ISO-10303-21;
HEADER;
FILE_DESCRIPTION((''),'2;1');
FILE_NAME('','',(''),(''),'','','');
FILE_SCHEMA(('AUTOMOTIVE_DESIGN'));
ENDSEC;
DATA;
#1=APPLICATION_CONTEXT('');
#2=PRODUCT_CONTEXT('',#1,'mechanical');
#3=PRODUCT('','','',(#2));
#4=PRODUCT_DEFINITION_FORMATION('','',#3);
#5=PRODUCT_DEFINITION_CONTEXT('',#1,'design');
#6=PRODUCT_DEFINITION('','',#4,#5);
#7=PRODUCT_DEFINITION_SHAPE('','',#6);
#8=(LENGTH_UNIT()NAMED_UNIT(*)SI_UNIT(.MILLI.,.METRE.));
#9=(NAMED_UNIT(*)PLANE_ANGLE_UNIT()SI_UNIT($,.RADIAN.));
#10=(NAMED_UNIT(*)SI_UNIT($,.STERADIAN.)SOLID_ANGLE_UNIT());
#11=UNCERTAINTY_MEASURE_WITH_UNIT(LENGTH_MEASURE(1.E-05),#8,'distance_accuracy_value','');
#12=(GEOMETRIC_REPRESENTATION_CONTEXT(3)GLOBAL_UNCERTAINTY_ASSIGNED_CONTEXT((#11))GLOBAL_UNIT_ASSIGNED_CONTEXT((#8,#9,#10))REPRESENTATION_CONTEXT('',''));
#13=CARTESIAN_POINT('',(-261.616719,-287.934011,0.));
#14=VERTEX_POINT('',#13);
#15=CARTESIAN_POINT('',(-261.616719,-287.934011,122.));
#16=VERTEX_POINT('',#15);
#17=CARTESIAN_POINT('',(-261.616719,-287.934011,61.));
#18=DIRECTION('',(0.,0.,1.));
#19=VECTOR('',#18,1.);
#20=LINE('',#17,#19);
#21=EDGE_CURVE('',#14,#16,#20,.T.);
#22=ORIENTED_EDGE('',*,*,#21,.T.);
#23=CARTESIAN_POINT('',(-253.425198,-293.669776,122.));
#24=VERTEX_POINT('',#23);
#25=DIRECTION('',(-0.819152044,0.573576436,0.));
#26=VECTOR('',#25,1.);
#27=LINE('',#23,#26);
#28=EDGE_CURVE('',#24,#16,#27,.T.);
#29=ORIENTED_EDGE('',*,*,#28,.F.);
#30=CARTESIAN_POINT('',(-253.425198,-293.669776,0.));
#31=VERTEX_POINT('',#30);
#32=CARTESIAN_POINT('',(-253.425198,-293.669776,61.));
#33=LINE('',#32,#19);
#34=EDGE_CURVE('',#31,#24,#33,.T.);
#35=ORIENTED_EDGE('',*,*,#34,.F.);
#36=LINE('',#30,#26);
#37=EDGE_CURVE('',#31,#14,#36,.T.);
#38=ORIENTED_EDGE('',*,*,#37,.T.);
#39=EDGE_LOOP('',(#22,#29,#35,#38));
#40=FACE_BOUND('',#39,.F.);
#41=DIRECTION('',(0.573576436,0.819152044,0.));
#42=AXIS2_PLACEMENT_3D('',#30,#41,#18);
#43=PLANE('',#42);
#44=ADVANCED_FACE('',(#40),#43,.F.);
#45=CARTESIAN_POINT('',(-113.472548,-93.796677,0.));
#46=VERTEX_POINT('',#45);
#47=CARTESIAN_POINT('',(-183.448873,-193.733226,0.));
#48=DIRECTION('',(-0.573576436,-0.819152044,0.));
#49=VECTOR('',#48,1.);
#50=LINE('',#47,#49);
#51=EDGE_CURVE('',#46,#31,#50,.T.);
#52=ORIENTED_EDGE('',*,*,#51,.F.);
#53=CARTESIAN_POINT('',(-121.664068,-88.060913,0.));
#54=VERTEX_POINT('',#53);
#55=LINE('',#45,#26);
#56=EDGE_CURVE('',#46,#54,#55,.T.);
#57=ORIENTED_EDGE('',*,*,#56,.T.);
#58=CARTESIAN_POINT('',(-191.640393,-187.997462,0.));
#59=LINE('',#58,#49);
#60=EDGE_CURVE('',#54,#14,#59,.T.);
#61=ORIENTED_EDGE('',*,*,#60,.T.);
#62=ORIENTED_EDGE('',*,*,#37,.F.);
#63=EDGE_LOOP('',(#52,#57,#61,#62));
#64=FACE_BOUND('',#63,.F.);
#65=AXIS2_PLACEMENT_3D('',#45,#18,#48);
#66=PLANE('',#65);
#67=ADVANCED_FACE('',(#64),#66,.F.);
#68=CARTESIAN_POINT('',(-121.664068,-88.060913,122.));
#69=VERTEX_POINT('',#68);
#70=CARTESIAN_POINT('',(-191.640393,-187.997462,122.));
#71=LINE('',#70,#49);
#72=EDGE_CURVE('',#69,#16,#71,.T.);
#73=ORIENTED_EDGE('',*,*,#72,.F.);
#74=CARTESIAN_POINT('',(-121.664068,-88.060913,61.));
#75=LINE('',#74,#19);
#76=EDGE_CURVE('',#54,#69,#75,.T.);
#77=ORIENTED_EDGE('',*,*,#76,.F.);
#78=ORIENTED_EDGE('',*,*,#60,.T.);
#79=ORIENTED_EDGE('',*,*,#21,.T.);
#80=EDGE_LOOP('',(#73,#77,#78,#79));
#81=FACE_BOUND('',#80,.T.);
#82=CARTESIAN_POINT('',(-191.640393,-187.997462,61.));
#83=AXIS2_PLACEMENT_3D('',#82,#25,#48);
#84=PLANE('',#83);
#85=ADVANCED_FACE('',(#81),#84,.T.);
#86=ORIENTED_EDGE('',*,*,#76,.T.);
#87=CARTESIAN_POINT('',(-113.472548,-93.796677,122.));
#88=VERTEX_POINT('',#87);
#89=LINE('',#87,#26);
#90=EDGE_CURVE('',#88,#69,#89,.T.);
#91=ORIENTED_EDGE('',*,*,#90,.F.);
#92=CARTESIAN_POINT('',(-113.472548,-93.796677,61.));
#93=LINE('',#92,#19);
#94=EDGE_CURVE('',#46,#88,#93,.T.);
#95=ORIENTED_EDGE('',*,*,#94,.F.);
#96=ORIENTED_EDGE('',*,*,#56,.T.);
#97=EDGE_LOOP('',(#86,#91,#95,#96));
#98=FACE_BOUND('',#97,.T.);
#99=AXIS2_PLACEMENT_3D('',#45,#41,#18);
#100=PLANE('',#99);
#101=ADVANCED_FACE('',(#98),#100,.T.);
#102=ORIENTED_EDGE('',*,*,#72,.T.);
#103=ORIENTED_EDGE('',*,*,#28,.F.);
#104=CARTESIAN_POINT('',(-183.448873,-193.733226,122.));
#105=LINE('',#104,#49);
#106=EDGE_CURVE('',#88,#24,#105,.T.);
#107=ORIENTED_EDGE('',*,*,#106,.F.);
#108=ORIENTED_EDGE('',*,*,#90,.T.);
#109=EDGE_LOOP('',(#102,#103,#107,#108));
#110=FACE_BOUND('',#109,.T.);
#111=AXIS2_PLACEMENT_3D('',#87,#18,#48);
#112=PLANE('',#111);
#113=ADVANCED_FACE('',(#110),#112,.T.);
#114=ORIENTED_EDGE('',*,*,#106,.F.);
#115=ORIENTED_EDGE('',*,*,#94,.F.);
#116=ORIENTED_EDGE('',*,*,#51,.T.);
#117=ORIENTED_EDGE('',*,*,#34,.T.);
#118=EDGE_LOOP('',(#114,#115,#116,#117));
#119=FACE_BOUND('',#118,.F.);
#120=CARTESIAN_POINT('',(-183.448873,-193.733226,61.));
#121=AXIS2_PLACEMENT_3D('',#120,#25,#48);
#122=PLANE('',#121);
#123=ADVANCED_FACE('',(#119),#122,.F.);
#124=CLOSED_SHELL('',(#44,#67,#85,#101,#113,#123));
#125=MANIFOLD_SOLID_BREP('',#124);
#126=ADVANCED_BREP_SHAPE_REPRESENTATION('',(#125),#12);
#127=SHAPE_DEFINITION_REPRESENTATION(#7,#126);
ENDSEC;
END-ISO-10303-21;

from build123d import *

# Parameters (mm, degrees)
F0_W     = 244
F0_H     = 122
F1_DEPTH = 10
F2_ANGLE = 90
F3_ANGLE = 125


with BuildPart() as f1:
    # F0 (on Top) → F1 (new body)
    with BuildSketch(Plane.XY):
        with Locations((0.335931778, -17.06091269)):
            Rectangle(F0_W, F0_H)
    extrude(amount=F1_DEPTH)


with BuildPart() as f1_1:
    # F2: moved
    add(f1.part.rotate(Axis((0.335931778, -78.06091269, 0), (1, 0, 0)), F2_ANGLE))


with BuildPart() as f1_2:
    # F3: moved
    add(f1_1.part.rotate(Axis((-121.664068222, -88.06091269, 61), (0, 0, -1)), F3_ANGLE))


solid = f1_2.part
